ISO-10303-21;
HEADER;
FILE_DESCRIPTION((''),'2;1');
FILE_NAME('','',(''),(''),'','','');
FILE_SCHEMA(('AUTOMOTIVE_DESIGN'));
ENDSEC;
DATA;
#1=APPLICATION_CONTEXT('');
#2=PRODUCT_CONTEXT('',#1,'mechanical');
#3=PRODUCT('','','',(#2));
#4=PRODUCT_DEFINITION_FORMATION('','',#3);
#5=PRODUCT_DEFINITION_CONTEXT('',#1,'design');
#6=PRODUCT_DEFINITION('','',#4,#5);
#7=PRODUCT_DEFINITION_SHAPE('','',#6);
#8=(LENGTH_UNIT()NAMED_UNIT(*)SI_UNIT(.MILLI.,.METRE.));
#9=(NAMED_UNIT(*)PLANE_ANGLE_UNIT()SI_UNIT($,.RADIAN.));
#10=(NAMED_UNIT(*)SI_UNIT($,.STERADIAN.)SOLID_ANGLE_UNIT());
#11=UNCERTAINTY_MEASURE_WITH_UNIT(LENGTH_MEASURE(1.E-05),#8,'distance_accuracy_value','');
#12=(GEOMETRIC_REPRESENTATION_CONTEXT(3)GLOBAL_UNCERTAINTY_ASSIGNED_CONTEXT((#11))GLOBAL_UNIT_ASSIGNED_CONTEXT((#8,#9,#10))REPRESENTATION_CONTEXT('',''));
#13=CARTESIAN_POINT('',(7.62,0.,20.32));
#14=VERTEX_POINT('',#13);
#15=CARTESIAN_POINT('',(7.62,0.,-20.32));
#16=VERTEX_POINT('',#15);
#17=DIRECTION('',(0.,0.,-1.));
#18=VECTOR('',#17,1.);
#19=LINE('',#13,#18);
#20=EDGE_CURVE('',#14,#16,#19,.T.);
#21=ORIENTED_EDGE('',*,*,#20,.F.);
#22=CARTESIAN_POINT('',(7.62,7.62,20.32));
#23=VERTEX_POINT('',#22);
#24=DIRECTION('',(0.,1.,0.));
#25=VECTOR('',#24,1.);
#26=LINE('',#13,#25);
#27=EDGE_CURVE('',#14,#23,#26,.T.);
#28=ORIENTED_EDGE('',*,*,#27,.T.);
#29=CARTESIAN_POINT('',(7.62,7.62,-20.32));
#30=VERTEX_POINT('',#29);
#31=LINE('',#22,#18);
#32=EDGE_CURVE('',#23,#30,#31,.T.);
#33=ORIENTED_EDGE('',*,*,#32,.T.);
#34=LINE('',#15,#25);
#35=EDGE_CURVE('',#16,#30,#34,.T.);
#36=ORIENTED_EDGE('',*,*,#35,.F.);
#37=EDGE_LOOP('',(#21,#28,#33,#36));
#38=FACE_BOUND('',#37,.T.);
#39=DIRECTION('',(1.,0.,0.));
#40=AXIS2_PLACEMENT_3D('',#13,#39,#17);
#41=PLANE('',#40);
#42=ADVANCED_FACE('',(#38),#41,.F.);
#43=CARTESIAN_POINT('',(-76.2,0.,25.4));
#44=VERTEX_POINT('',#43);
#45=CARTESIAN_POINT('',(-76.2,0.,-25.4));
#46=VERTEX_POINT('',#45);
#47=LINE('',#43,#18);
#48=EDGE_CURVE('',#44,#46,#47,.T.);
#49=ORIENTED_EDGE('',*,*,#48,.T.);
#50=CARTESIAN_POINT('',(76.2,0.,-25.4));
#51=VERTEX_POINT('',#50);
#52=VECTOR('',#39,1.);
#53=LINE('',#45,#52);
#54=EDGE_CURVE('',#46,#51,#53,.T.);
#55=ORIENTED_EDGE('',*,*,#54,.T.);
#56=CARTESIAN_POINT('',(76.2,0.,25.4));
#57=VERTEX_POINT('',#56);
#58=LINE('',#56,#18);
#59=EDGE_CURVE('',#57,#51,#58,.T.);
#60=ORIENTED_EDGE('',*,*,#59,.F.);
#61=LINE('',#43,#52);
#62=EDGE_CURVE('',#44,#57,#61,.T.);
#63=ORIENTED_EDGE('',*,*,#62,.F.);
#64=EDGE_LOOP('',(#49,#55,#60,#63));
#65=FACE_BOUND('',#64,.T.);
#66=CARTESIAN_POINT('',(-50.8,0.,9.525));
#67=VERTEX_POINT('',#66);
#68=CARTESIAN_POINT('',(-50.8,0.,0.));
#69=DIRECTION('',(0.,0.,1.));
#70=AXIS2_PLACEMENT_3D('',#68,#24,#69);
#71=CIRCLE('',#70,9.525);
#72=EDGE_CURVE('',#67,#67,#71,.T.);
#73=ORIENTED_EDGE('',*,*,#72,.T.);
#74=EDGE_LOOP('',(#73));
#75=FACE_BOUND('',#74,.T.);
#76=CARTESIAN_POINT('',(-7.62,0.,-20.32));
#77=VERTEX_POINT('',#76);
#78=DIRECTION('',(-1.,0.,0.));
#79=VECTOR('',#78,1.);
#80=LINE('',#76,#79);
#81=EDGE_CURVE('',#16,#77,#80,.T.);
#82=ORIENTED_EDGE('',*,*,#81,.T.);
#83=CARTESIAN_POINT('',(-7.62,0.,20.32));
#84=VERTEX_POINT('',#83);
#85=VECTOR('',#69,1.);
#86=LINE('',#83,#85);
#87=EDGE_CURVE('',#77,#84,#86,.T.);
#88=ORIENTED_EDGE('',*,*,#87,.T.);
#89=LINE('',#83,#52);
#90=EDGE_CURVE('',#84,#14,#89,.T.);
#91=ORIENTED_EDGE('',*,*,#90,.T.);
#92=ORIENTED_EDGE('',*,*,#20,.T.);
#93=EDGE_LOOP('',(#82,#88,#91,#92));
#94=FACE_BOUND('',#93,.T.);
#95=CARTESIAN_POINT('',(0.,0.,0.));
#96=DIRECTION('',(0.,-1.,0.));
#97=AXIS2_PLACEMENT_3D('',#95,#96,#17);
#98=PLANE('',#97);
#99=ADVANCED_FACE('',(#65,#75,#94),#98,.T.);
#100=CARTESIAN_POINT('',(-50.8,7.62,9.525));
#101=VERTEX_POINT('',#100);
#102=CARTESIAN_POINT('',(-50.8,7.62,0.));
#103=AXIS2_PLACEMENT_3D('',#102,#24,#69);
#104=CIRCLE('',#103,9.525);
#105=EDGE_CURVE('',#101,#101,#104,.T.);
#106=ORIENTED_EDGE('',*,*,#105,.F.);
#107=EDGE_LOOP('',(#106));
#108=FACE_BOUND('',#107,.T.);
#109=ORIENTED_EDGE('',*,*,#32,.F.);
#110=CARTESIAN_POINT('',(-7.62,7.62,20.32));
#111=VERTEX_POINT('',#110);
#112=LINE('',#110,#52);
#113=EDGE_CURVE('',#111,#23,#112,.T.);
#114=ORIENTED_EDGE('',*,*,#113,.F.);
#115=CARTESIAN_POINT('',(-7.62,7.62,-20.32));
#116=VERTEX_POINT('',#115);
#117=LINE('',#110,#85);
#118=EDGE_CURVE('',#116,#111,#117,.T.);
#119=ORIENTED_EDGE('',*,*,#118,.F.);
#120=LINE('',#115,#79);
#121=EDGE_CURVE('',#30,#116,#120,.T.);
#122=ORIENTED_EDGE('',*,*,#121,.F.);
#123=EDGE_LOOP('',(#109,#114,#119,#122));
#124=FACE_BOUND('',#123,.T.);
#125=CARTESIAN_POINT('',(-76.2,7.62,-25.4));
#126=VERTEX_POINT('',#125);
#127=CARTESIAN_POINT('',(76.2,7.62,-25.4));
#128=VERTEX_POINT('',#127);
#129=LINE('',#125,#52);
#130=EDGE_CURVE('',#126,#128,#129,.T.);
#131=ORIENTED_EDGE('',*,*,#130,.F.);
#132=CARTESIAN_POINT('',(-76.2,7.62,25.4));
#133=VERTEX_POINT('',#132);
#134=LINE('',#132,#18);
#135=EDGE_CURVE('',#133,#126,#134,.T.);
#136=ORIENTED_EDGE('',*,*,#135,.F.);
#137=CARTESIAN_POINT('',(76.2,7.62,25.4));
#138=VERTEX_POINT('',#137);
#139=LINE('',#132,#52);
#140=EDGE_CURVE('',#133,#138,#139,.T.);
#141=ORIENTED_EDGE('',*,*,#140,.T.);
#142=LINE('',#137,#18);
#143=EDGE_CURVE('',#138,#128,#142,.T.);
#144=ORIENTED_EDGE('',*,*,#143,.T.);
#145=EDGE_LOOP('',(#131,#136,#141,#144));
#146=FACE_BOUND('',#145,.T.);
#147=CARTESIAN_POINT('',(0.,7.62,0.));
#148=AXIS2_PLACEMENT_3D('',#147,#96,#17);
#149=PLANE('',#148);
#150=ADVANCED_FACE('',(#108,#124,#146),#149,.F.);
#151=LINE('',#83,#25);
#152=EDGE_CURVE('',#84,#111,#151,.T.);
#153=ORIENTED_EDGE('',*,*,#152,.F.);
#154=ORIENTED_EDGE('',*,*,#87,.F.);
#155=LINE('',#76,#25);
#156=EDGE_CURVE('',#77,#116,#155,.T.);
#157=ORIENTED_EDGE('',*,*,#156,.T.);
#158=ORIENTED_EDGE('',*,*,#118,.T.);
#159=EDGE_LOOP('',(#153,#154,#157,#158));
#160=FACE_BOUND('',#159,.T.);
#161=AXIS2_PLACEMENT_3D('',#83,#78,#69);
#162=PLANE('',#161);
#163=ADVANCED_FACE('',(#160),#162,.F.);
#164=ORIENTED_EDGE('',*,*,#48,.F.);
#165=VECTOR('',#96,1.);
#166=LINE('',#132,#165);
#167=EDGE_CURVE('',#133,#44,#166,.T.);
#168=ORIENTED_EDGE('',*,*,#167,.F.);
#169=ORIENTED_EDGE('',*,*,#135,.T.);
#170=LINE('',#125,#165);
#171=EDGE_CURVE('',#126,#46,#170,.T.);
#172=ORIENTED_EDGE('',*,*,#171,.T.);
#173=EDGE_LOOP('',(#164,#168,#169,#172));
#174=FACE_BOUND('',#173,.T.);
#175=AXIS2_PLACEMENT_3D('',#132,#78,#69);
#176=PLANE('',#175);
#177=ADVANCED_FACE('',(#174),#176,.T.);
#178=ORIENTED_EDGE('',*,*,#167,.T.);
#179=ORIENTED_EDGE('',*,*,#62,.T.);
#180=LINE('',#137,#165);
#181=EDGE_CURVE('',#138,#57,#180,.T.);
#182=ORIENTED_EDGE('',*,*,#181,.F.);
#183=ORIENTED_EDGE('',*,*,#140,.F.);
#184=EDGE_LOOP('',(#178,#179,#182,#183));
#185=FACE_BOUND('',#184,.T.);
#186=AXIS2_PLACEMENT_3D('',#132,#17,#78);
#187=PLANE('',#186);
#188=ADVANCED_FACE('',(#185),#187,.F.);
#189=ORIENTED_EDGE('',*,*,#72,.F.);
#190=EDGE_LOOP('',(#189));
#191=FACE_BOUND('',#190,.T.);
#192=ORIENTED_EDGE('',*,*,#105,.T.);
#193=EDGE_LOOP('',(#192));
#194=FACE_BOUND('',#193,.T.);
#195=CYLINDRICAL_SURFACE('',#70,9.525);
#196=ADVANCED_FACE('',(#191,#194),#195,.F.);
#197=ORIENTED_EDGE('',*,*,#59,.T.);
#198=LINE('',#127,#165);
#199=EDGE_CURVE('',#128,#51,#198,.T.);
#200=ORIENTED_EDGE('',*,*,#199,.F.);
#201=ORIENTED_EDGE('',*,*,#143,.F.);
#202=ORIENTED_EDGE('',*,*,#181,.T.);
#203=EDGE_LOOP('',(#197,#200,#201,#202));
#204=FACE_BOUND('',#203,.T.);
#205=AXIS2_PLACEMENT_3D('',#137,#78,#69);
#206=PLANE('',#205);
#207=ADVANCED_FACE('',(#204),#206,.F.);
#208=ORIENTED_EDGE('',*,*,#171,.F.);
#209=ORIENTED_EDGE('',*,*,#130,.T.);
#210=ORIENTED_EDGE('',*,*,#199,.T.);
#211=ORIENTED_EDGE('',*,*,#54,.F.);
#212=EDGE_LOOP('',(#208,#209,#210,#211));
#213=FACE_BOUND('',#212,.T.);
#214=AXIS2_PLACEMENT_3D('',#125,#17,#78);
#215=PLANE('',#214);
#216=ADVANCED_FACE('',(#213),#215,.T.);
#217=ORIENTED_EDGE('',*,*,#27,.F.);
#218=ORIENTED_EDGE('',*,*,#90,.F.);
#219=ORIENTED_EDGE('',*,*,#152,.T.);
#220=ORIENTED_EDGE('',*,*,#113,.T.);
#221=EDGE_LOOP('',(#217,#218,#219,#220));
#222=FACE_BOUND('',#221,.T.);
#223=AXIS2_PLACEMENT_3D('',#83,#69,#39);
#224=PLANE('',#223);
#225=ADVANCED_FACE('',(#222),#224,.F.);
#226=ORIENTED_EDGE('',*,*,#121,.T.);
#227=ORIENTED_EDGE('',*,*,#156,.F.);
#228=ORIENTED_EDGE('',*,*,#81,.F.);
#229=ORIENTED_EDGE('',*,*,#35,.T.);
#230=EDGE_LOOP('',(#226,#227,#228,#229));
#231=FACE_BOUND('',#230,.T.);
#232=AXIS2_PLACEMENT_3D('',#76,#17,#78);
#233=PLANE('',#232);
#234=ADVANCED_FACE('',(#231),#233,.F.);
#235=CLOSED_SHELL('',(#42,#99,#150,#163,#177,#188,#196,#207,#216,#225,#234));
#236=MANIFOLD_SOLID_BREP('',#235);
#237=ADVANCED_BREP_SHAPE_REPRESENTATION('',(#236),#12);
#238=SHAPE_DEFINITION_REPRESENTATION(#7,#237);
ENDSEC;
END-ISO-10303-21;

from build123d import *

# Parameters (mm, degrees)
SKETCH1_W           = 152.4
SKETCH1_H           = 50.8
BOSS_EXTRUDE1_DEPTH = 7.62
SKETCH3_R           = 9.525
CUT_EXTRUDE2_DEPTH  = 8.62
SKETCH5_W           = 15.24
SKETCH5_H           = 40.64
CUT_EXTRUDE4_DEPTH  = 8.62


with BuildPart() as part:
    # Sketch1 → Boss-Extrude1 (new body)
    with BuildSketch(Plane(origin=(0, 0, 0), x_dir=(1, 0, 0), z_dir=(0, 1, 0))):
        Rectangle(SKETCH1_W, SKETCH1_H)
    extrude(amount=BOSS_EXTRUDE1_DEPTH)

    # Sketch3 → Cut-Extrude2 (cut, through all)
    with BuildSketch(Plane(origin=(0, 7.62, 0), x_dir=(1, 0, 0), z_dir=(0, 1, 0))):
        with Locations((-50.8, 0)):
            Circle(SKETCH3_R)
    extrude(amount=-CUT_EXTRUDE2_DEPTH, mode=Mode.SUBTRACT)

    # Sketch5 → Cut-Extrude4 (cut, through all)
    with BuildSketch(Plane(origin=(0, 7.62, 0), x_dir=(1, 0, 0), z_dir=(0, 1, 0))):
        Rectangle(SKETCH5_W, SKETCH5_H)
    extrude(amount=-CUT_EXTRUDE4_DEPTH, mode=Mode.SUBTRACT)


solid = part.part
